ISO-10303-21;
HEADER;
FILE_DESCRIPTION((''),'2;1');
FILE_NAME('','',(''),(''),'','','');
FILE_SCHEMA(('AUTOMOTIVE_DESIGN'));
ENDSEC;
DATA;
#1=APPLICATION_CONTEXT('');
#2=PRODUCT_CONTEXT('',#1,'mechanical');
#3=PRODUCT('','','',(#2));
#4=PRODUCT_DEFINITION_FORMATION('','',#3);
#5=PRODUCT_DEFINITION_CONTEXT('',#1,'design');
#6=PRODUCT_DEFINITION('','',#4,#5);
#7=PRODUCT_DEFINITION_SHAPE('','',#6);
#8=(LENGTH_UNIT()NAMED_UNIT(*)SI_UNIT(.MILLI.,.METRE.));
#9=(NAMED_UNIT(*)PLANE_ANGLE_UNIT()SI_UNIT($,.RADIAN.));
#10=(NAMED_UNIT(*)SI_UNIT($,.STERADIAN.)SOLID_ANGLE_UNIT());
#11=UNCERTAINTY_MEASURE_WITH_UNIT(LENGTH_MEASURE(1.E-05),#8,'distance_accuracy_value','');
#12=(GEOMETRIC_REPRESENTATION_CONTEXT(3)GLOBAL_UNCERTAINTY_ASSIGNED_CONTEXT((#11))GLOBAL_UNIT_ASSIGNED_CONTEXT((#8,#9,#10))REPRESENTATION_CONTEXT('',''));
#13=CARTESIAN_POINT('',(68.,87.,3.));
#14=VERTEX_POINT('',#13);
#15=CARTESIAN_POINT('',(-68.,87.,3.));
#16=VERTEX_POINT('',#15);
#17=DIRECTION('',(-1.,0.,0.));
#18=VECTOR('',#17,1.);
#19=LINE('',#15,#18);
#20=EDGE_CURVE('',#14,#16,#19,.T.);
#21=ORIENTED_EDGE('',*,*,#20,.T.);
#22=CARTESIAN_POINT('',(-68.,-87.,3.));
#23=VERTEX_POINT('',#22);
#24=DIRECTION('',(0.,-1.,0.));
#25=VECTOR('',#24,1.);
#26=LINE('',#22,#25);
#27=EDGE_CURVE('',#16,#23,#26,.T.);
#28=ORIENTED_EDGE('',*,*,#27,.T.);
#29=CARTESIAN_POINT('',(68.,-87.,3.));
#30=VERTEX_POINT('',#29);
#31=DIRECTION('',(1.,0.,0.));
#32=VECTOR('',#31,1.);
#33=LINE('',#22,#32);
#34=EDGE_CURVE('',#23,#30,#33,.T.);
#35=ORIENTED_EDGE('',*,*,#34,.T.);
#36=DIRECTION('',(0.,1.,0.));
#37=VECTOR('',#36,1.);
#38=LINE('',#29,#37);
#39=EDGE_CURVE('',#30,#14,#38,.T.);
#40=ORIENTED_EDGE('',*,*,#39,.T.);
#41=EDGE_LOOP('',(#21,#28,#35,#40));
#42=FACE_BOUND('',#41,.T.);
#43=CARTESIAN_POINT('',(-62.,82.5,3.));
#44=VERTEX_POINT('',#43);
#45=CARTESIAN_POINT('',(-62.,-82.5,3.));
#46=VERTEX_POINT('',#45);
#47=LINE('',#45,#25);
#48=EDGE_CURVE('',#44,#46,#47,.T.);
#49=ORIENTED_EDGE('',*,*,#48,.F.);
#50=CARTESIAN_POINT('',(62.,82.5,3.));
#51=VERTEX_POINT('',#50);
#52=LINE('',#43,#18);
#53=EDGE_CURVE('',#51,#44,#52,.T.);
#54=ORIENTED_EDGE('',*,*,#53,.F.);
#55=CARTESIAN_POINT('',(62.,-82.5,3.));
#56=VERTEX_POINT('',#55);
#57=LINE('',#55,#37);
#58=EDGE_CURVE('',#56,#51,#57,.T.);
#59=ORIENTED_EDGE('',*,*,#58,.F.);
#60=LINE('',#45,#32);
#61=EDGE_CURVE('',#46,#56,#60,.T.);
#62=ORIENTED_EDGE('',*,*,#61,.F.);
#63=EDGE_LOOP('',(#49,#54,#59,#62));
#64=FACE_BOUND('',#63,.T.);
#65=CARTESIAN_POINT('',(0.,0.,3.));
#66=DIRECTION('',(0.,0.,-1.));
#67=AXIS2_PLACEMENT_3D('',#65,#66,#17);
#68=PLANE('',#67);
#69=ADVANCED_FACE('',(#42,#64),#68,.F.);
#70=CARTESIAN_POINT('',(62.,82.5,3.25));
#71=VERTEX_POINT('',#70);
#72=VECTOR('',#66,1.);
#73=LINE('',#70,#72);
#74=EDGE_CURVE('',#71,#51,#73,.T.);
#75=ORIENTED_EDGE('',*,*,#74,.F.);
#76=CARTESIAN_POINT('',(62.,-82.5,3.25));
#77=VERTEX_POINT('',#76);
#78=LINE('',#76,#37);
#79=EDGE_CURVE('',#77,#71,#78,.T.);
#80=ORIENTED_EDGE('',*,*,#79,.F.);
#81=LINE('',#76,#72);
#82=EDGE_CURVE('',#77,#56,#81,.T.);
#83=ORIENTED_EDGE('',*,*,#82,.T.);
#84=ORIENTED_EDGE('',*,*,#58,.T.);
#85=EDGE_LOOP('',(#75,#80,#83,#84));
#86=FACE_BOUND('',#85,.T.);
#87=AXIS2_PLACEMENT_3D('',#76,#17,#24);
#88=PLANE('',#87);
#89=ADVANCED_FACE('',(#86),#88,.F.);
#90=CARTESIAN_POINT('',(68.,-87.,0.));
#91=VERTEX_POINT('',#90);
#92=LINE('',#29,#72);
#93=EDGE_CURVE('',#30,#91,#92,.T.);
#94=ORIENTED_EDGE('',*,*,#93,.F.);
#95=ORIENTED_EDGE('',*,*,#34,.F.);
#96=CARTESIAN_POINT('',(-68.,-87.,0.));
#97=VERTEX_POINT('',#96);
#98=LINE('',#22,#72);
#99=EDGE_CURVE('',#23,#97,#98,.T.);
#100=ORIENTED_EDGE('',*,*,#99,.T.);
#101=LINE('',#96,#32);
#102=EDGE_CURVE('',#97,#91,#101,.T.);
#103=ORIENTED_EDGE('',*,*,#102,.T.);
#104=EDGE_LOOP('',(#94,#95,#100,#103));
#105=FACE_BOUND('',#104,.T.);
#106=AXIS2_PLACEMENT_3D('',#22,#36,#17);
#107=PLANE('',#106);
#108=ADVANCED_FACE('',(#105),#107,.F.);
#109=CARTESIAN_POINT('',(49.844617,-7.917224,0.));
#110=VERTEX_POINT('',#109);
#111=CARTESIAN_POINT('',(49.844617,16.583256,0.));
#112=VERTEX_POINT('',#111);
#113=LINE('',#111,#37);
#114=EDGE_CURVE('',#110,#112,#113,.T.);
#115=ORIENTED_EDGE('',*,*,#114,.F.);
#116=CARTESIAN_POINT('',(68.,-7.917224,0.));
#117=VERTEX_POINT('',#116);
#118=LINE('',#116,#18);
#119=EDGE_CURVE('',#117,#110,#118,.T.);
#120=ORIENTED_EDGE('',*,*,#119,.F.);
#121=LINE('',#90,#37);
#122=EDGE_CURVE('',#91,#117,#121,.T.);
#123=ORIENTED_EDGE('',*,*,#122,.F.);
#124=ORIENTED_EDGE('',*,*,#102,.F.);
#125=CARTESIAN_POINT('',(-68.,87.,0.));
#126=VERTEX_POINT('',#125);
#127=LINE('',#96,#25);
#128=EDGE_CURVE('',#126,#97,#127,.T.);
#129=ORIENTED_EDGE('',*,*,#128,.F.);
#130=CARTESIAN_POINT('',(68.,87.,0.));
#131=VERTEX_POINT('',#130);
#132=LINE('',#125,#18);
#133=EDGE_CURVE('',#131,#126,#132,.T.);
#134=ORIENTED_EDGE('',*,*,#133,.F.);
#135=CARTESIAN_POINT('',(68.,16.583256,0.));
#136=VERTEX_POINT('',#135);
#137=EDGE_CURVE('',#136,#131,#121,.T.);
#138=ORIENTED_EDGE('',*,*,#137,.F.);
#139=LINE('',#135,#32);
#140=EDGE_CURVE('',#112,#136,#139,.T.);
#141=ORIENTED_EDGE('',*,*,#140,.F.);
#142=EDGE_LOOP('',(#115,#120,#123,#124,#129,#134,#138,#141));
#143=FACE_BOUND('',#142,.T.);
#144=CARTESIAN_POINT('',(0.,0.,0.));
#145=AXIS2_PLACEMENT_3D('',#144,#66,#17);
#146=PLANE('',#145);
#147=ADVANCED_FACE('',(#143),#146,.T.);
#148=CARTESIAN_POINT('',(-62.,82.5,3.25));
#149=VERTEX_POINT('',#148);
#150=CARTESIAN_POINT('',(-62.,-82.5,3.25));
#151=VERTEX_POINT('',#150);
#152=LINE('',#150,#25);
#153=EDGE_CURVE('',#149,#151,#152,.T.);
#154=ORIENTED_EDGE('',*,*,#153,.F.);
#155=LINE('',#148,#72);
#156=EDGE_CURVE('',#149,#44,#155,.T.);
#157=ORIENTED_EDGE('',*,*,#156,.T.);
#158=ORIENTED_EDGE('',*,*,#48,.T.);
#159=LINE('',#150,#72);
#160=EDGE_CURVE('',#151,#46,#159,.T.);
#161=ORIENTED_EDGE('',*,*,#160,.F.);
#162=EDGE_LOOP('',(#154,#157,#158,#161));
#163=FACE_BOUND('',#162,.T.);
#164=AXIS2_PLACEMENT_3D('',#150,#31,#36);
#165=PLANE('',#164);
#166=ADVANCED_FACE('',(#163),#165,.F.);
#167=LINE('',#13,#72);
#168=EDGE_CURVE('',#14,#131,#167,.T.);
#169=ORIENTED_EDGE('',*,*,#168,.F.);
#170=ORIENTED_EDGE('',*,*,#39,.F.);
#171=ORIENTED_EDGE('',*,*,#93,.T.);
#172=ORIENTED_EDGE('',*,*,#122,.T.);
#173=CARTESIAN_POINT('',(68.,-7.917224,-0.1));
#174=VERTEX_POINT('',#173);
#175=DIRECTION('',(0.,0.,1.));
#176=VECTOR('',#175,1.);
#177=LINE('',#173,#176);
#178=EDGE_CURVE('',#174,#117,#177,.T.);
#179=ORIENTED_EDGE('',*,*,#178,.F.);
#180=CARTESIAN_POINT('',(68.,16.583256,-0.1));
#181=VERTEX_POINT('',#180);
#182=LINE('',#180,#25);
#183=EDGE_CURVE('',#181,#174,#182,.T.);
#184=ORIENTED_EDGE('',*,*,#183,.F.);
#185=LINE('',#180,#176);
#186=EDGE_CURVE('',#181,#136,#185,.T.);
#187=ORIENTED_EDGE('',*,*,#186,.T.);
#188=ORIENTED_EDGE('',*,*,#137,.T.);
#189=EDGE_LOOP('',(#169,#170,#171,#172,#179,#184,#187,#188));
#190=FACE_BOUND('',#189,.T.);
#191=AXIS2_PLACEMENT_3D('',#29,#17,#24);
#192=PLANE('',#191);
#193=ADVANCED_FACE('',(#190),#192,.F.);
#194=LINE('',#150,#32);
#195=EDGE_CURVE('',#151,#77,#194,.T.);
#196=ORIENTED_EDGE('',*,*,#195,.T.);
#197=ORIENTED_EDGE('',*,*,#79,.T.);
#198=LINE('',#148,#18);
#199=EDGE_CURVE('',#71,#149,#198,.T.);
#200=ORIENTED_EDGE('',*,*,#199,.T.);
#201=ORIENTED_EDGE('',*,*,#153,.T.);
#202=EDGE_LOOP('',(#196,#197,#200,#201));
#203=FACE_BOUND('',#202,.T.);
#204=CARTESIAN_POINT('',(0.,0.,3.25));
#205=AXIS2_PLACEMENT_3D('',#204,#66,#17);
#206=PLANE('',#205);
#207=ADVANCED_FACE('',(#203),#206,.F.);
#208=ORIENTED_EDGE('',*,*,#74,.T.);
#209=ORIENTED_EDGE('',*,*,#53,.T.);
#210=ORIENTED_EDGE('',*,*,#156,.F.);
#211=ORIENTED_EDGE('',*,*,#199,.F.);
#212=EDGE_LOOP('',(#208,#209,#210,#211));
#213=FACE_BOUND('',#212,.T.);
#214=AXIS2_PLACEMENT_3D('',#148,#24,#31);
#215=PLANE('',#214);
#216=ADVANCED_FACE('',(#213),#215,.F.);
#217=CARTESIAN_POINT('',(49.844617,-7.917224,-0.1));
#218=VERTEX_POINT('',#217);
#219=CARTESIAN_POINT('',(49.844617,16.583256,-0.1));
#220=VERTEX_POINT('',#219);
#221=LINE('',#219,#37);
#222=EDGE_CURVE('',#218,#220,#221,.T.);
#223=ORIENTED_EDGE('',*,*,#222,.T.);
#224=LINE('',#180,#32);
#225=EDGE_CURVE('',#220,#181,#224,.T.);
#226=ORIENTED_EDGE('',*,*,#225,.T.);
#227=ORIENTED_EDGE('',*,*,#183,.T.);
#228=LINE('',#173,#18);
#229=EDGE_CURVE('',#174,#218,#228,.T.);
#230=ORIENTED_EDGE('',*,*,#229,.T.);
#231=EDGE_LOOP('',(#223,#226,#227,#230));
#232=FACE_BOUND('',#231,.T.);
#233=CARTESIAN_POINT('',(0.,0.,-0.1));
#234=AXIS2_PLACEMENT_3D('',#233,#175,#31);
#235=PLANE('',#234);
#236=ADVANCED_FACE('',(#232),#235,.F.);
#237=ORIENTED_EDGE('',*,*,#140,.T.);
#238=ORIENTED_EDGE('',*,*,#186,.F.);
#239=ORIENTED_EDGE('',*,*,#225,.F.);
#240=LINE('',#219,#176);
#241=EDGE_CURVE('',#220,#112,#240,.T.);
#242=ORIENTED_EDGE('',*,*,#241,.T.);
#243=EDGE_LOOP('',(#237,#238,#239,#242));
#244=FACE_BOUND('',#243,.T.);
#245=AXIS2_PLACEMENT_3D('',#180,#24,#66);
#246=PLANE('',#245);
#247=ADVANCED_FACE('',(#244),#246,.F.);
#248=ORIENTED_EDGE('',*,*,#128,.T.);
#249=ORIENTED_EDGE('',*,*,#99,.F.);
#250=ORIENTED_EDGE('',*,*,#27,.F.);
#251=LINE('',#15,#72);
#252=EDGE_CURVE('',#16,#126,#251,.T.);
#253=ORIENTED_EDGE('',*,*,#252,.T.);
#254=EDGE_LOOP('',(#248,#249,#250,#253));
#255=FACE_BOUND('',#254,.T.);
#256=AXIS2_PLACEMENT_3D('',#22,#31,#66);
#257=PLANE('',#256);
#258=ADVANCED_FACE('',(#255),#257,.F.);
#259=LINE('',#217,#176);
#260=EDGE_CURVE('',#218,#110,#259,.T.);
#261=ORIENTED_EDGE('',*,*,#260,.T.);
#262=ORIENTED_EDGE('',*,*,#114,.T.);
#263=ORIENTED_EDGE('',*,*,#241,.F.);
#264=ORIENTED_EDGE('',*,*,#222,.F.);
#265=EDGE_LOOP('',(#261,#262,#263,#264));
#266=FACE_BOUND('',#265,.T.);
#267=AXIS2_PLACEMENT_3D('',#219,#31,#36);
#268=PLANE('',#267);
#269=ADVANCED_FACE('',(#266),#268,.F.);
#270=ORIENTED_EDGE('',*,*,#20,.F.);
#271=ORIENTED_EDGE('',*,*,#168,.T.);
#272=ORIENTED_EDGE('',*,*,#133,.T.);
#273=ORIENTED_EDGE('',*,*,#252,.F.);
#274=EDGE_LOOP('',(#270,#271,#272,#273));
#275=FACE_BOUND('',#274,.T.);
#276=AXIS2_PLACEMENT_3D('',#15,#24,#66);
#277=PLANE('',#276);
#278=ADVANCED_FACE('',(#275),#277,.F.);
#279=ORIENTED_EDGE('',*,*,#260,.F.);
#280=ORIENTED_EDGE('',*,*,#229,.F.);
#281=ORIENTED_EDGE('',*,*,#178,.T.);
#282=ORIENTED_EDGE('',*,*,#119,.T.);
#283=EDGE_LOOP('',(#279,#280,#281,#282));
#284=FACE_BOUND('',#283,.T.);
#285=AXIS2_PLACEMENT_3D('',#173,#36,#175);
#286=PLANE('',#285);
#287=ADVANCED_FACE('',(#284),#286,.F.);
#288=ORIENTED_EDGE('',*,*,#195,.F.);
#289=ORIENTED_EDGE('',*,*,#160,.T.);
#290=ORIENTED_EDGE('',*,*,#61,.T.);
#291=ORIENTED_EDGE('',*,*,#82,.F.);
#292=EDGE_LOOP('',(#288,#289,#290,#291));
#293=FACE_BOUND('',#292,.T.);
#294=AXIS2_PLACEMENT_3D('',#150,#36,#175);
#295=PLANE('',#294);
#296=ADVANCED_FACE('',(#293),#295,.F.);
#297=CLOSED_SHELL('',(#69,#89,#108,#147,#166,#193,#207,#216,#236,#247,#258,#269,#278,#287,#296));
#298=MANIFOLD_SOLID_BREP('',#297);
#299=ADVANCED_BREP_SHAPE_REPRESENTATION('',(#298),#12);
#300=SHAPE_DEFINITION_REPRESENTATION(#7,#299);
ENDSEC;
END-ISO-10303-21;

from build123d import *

# Parameters (mm, degrees)
SKETCH1_W           = 136
SKETCH1_H           = 174
BOSS_EXTRUDE1_DEPTH = 3
SKETCH2_W           = 124
SKETCH2_H           = 165
BOSS_EXTRUDE2_DEPTH = 0.25
SKETCH3_W           = 18.155382523
SKETCH3_H           = 24.50047974
BOSS_EXTRUDE3_DEPTH = 0.1


with BuildPart() as part:
    # Sketch1 → Boss-Extrude1 (new body)
    with BuildSketch(Plane.XY):
        Rectangle(SKETCH1_W, SKETCH1_H)
    extrude(amount=BOSS_EXTRUDE1_DEPTH)

    # Sketch2 → Boss-Extrude2 (add)
    with BuildSketch(Plane.XY.offset(3)):
        Rectangle(SKETCH2_W, SKETCH2_H)
    extrude(amount=BOSS_EXTRUDE2_DEPTH)

    # Sketch3 → Boss-Extrude3 (add)
    with BuildSketch(Plane(origin=(0, 0, 0), x_dir=(-1, 0, 0), z_dir=(0, 0, -1))):
        with Locations((-58.922308738, 4.333016158)):
            Rectangle(SKETCH3_W, SKETCH3_H)
    extrude(amount=BOSS_EXTRUDE3_DEPTH)


solid = part.part
